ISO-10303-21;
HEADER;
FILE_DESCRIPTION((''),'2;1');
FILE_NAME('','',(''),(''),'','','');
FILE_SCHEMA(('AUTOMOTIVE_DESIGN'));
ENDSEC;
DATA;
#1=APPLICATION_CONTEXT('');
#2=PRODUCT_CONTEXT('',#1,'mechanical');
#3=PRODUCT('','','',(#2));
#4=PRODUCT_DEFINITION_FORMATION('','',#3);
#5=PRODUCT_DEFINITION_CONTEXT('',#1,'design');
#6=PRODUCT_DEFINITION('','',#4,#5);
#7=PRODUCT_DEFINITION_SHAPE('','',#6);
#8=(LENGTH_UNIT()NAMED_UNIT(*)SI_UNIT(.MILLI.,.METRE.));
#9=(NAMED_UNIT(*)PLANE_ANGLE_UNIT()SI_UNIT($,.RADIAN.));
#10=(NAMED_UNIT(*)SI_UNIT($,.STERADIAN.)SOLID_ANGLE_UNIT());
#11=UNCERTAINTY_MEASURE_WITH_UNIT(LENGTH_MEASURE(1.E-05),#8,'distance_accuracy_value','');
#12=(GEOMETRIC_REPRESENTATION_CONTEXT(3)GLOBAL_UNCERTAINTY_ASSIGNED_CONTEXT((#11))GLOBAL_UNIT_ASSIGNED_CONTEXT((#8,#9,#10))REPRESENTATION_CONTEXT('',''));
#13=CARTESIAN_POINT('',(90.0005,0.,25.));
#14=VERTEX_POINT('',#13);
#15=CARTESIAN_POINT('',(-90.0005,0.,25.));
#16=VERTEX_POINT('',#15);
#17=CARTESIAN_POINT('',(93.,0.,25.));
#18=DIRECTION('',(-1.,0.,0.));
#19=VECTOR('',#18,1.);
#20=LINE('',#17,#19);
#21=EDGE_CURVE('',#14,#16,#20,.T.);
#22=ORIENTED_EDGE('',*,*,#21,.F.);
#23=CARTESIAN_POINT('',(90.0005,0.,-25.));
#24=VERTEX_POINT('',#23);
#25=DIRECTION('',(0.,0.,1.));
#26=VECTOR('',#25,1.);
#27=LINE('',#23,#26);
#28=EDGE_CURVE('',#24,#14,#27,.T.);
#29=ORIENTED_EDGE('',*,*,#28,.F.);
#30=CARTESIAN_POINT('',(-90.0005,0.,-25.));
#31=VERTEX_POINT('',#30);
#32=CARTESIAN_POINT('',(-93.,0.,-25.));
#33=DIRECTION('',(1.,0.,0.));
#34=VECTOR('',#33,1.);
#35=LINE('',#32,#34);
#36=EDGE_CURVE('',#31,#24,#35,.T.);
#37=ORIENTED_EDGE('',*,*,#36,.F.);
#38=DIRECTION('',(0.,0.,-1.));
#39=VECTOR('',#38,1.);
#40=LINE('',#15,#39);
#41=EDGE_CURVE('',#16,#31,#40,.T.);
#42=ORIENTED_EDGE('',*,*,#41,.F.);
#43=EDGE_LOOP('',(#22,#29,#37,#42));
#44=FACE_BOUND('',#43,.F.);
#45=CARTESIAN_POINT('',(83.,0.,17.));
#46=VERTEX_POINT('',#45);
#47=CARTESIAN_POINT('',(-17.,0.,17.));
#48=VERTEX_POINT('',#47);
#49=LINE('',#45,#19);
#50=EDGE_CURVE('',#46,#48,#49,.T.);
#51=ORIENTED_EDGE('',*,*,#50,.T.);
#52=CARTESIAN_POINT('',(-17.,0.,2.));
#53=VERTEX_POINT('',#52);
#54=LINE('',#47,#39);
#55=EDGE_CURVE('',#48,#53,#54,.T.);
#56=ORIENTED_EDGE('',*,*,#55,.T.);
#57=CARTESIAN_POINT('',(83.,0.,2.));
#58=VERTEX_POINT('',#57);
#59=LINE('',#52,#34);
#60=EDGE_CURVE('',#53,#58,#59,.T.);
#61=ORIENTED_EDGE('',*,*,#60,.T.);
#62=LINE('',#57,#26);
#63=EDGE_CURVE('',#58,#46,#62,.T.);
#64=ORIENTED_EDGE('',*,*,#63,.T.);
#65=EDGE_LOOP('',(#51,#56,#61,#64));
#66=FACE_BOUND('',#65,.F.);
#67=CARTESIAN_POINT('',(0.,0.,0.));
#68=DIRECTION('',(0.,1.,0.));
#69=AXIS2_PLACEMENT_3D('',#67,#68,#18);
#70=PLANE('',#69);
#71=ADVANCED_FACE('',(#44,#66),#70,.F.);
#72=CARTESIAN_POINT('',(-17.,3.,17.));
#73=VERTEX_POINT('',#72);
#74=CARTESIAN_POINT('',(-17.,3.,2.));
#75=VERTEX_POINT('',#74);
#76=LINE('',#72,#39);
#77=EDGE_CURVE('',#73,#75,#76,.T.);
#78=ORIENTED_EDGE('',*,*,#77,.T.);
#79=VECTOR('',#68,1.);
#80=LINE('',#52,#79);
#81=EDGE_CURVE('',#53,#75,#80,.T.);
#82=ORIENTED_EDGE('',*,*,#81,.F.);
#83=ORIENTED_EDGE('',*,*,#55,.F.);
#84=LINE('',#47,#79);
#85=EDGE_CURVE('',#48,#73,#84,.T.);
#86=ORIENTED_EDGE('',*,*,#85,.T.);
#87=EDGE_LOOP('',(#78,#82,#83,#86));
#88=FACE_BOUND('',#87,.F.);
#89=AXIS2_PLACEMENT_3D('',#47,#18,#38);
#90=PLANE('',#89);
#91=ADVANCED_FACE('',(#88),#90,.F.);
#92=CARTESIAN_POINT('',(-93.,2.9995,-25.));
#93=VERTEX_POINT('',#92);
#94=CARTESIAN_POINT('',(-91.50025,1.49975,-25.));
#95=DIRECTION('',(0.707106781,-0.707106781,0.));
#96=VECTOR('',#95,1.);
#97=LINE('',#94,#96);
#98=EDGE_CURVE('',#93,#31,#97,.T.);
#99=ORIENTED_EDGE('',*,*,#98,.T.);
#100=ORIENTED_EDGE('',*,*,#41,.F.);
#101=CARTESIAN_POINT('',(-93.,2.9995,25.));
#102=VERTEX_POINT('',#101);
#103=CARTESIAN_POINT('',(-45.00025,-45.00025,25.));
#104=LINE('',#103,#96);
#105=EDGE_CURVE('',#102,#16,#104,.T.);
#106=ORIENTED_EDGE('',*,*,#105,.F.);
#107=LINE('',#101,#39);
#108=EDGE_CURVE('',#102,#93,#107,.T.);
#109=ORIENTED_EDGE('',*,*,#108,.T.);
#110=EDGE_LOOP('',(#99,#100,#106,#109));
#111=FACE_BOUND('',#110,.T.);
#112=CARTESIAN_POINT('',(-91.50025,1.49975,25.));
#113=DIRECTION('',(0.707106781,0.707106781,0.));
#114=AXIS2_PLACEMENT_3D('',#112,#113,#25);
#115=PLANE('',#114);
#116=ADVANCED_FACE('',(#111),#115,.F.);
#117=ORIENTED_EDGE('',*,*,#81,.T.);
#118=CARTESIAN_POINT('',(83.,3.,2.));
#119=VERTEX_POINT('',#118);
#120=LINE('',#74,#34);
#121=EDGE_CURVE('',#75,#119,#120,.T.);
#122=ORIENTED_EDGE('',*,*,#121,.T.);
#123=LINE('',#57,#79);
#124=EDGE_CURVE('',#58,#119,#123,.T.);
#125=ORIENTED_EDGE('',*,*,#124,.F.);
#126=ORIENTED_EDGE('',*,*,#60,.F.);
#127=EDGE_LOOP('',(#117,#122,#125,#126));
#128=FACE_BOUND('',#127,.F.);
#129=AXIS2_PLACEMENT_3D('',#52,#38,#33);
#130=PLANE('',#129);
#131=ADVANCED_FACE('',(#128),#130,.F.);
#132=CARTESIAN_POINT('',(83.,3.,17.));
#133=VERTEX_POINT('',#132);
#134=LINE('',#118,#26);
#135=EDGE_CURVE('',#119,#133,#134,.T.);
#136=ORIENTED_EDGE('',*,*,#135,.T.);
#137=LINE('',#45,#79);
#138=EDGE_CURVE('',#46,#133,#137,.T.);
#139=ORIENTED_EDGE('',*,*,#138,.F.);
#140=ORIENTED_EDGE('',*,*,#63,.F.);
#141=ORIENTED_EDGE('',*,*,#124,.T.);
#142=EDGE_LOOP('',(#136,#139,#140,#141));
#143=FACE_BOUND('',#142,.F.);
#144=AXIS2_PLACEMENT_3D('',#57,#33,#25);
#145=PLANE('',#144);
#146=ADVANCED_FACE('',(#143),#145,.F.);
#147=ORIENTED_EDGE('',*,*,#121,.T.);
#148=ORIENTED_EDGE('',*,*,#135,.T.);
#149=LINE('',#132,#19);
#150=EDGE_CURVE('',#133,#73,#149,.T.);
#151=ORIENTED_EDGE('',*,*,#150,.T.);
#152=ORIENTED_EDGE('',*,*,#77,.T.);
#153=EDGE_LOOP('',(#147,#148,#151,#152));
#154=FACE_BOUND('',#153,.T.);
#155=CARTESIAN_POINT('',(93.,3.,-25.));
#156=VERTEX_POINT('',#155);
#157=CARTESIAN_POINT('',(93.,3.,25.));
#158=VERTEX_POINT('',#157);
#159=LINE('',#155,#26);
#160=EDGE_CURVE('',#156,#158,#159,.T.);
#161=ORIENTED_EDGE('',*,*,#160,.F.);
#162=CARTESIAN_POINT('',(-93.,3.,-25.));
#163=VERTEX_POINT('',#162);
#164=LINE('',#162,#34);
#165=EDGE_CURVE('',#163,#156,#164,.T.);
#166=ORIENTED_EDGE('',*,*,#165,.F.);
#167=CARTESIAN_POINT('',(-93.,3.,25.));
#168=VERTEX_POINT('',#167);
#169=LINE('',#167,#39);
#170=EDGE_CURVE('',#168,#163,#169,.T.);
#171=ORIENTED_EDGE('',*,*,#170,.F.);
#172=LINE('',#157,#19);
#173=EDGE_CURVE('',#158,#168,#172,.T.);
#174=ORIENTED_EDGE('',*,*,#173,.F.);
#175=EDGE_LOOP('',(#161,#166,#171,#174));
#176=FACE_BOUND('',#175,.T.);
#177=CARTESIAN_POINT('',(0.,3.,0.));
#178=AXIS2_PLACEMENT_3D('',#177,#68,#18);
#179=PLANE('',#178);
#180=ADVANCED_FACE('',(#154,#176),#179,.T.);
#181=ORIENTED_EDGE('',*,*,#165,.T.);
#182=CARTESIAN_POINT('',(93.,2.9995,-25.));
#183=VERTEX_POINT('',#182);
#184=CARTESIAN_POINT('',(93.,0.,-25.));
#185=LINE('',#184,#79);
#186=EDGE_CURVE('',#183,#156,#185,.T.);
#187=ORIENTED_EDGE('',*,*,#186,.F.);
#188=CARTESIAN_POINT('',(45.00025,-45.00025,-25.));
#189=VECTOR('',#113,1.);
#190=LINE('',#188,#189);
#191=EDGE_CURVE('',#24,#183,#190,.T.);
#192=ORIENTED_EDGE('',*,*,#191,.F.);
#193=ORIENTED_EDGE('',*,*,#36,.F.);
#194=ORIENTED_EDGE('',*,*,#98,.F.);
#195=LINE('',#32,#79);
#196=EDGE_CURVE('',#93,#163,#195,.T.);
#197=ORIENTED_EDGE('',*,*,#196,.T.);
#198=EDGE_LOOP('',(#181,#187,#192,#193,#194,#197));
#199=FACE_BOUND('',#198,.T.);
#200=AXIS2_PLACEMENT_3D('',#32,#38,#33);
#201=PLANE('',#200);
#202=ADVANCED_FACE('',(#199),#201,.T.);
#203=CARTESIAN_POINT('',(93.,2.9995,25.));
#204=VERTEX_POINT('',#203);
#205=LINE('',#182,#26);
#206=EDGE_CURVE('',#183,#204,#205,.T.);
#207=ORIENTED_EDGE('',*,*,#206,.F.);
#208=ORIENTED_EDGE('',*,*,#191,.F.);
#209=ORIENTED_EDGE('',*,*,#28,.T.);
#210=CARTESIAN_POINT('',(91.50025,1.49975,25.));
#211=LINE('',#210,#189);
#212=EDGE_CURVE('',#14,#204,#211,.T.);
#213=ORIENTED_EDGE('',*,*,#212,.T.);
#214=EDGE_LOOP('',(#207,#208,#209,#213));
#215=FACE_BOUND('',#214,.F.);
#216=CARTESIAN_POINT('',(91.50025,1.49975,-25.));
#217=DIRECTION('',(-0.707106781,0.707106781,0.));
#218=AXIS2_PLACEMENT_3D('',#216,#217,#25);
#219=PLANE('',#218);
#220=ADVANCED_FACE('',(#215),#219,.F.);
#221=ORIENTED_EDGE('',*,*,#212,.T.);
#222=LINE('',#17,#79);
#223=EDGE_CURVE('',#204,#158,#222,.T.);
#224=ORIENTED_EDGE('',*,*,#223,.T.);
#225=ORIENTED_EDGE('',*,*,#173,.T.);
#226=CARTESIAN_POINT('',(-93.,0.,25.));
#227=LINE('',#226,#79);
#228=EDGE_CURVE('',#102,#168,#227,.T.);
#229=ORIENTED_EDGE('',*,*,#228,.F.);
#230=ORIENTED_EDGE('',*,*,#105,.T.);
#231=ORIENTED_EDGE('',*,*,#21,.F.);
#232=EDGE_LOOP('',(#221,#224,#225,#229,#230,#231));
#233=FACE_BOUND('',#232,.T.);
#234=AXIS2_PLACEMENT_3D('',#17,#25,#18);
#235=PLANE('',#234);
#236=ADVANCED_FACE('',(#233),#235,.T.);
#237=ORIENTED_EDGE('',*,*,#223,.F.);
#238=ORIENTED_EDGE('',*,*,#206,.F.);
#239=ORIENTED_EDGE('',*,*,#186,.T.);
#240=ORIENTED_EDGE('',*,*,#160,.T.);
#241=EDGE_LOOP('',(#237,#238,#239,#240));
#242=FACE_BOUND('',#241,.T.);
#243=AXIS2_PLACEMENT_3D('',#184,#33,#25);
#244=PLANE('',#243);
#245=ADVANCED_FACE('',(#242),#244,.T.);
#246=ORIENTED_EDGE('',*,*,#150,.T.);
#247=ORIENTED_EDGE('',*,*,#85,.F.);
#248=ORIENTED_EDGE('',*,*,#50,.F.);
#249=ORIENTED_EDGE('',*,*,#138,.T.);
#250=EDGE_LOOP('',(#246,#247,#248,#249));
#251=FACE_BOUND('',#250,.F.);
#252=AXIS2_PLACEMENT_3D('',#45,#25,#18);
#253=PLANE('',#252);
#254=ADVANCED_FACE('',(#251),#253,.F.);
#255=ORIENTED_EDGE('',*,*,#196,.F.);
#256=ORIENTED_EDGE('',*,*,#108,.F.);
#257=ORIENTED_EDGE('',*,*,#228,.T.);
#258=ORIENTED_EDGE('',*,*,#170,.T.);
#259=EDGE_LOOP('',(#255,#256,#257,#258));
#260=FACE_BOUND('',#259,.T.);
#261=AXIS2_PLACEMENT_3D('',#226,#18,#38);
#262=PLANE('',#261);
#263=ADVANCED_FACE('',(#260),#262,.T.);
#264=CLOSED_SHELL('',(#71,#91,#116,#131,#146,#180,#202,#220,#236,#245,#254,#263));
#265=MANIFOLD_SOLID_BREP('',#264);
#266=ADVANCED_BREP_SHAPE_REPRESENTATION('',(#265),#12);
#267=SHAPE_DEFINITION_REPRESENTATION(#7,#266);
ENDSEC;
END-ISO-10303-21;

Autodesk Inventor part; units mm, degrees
ref_plane "YZ Plane" through (0, 0, 0) normal (1, 0, 0) x (0, 1, 0)
ref_plane "XZ Plane" through (0, 0, 0) normal (0, 1, 0) x (-1, 0, 0)
ref_plane "XY Plane" through (0, 0, 0) normal (0, 0, 1) x (1, 0, 0)
sketch "Sketch1" plane through (0, 0, 0) normal (0, 1, 0) x (-1, 0, 0)
  line L0 (93, -25) -> (-93, -25)
  line L1 (-93, -25) -> (-93, 25)
  line L2 (-93, 25) -> (93, 25)
  line L3 (93, 25) -> (93, -25)
  line L4 (93, -25) -> (-93, 25) construction
  line L5 (-93, -25) -> (93, 25) construction
  line L6 (17, 2) -> (-83, 2)
  line L7 (-83, 2) -> (-83, 17)
  line L8 (-83, 17) -> (17, 17)
  line L9 (17, 17) -> (17, 2)
  point P0 (0, 0)
  point P1 (-83, 9.5)
  point P2 (-33, 17)
  dimension "d0" = 186
  dimension "d1" = 50
  dimension "d20" = 10
  dimension "d21" = 100
  dimension "d23" = 23
  dimension "d24" = 8
extrude "Extrusion1" add sketch "Sketch1" along normal blind 3
chamfer "Chamfer3" distance 3 angle 45 1 edges at (-93, 0, 0) measured on face at (-93, 1, -8.3333)
chamfer "Chamfer4" distance 3 angle 45 1 edges at (93, 0, 0) measured on face at (93, 1, 8.3333)
properties part number "Back Wall"
